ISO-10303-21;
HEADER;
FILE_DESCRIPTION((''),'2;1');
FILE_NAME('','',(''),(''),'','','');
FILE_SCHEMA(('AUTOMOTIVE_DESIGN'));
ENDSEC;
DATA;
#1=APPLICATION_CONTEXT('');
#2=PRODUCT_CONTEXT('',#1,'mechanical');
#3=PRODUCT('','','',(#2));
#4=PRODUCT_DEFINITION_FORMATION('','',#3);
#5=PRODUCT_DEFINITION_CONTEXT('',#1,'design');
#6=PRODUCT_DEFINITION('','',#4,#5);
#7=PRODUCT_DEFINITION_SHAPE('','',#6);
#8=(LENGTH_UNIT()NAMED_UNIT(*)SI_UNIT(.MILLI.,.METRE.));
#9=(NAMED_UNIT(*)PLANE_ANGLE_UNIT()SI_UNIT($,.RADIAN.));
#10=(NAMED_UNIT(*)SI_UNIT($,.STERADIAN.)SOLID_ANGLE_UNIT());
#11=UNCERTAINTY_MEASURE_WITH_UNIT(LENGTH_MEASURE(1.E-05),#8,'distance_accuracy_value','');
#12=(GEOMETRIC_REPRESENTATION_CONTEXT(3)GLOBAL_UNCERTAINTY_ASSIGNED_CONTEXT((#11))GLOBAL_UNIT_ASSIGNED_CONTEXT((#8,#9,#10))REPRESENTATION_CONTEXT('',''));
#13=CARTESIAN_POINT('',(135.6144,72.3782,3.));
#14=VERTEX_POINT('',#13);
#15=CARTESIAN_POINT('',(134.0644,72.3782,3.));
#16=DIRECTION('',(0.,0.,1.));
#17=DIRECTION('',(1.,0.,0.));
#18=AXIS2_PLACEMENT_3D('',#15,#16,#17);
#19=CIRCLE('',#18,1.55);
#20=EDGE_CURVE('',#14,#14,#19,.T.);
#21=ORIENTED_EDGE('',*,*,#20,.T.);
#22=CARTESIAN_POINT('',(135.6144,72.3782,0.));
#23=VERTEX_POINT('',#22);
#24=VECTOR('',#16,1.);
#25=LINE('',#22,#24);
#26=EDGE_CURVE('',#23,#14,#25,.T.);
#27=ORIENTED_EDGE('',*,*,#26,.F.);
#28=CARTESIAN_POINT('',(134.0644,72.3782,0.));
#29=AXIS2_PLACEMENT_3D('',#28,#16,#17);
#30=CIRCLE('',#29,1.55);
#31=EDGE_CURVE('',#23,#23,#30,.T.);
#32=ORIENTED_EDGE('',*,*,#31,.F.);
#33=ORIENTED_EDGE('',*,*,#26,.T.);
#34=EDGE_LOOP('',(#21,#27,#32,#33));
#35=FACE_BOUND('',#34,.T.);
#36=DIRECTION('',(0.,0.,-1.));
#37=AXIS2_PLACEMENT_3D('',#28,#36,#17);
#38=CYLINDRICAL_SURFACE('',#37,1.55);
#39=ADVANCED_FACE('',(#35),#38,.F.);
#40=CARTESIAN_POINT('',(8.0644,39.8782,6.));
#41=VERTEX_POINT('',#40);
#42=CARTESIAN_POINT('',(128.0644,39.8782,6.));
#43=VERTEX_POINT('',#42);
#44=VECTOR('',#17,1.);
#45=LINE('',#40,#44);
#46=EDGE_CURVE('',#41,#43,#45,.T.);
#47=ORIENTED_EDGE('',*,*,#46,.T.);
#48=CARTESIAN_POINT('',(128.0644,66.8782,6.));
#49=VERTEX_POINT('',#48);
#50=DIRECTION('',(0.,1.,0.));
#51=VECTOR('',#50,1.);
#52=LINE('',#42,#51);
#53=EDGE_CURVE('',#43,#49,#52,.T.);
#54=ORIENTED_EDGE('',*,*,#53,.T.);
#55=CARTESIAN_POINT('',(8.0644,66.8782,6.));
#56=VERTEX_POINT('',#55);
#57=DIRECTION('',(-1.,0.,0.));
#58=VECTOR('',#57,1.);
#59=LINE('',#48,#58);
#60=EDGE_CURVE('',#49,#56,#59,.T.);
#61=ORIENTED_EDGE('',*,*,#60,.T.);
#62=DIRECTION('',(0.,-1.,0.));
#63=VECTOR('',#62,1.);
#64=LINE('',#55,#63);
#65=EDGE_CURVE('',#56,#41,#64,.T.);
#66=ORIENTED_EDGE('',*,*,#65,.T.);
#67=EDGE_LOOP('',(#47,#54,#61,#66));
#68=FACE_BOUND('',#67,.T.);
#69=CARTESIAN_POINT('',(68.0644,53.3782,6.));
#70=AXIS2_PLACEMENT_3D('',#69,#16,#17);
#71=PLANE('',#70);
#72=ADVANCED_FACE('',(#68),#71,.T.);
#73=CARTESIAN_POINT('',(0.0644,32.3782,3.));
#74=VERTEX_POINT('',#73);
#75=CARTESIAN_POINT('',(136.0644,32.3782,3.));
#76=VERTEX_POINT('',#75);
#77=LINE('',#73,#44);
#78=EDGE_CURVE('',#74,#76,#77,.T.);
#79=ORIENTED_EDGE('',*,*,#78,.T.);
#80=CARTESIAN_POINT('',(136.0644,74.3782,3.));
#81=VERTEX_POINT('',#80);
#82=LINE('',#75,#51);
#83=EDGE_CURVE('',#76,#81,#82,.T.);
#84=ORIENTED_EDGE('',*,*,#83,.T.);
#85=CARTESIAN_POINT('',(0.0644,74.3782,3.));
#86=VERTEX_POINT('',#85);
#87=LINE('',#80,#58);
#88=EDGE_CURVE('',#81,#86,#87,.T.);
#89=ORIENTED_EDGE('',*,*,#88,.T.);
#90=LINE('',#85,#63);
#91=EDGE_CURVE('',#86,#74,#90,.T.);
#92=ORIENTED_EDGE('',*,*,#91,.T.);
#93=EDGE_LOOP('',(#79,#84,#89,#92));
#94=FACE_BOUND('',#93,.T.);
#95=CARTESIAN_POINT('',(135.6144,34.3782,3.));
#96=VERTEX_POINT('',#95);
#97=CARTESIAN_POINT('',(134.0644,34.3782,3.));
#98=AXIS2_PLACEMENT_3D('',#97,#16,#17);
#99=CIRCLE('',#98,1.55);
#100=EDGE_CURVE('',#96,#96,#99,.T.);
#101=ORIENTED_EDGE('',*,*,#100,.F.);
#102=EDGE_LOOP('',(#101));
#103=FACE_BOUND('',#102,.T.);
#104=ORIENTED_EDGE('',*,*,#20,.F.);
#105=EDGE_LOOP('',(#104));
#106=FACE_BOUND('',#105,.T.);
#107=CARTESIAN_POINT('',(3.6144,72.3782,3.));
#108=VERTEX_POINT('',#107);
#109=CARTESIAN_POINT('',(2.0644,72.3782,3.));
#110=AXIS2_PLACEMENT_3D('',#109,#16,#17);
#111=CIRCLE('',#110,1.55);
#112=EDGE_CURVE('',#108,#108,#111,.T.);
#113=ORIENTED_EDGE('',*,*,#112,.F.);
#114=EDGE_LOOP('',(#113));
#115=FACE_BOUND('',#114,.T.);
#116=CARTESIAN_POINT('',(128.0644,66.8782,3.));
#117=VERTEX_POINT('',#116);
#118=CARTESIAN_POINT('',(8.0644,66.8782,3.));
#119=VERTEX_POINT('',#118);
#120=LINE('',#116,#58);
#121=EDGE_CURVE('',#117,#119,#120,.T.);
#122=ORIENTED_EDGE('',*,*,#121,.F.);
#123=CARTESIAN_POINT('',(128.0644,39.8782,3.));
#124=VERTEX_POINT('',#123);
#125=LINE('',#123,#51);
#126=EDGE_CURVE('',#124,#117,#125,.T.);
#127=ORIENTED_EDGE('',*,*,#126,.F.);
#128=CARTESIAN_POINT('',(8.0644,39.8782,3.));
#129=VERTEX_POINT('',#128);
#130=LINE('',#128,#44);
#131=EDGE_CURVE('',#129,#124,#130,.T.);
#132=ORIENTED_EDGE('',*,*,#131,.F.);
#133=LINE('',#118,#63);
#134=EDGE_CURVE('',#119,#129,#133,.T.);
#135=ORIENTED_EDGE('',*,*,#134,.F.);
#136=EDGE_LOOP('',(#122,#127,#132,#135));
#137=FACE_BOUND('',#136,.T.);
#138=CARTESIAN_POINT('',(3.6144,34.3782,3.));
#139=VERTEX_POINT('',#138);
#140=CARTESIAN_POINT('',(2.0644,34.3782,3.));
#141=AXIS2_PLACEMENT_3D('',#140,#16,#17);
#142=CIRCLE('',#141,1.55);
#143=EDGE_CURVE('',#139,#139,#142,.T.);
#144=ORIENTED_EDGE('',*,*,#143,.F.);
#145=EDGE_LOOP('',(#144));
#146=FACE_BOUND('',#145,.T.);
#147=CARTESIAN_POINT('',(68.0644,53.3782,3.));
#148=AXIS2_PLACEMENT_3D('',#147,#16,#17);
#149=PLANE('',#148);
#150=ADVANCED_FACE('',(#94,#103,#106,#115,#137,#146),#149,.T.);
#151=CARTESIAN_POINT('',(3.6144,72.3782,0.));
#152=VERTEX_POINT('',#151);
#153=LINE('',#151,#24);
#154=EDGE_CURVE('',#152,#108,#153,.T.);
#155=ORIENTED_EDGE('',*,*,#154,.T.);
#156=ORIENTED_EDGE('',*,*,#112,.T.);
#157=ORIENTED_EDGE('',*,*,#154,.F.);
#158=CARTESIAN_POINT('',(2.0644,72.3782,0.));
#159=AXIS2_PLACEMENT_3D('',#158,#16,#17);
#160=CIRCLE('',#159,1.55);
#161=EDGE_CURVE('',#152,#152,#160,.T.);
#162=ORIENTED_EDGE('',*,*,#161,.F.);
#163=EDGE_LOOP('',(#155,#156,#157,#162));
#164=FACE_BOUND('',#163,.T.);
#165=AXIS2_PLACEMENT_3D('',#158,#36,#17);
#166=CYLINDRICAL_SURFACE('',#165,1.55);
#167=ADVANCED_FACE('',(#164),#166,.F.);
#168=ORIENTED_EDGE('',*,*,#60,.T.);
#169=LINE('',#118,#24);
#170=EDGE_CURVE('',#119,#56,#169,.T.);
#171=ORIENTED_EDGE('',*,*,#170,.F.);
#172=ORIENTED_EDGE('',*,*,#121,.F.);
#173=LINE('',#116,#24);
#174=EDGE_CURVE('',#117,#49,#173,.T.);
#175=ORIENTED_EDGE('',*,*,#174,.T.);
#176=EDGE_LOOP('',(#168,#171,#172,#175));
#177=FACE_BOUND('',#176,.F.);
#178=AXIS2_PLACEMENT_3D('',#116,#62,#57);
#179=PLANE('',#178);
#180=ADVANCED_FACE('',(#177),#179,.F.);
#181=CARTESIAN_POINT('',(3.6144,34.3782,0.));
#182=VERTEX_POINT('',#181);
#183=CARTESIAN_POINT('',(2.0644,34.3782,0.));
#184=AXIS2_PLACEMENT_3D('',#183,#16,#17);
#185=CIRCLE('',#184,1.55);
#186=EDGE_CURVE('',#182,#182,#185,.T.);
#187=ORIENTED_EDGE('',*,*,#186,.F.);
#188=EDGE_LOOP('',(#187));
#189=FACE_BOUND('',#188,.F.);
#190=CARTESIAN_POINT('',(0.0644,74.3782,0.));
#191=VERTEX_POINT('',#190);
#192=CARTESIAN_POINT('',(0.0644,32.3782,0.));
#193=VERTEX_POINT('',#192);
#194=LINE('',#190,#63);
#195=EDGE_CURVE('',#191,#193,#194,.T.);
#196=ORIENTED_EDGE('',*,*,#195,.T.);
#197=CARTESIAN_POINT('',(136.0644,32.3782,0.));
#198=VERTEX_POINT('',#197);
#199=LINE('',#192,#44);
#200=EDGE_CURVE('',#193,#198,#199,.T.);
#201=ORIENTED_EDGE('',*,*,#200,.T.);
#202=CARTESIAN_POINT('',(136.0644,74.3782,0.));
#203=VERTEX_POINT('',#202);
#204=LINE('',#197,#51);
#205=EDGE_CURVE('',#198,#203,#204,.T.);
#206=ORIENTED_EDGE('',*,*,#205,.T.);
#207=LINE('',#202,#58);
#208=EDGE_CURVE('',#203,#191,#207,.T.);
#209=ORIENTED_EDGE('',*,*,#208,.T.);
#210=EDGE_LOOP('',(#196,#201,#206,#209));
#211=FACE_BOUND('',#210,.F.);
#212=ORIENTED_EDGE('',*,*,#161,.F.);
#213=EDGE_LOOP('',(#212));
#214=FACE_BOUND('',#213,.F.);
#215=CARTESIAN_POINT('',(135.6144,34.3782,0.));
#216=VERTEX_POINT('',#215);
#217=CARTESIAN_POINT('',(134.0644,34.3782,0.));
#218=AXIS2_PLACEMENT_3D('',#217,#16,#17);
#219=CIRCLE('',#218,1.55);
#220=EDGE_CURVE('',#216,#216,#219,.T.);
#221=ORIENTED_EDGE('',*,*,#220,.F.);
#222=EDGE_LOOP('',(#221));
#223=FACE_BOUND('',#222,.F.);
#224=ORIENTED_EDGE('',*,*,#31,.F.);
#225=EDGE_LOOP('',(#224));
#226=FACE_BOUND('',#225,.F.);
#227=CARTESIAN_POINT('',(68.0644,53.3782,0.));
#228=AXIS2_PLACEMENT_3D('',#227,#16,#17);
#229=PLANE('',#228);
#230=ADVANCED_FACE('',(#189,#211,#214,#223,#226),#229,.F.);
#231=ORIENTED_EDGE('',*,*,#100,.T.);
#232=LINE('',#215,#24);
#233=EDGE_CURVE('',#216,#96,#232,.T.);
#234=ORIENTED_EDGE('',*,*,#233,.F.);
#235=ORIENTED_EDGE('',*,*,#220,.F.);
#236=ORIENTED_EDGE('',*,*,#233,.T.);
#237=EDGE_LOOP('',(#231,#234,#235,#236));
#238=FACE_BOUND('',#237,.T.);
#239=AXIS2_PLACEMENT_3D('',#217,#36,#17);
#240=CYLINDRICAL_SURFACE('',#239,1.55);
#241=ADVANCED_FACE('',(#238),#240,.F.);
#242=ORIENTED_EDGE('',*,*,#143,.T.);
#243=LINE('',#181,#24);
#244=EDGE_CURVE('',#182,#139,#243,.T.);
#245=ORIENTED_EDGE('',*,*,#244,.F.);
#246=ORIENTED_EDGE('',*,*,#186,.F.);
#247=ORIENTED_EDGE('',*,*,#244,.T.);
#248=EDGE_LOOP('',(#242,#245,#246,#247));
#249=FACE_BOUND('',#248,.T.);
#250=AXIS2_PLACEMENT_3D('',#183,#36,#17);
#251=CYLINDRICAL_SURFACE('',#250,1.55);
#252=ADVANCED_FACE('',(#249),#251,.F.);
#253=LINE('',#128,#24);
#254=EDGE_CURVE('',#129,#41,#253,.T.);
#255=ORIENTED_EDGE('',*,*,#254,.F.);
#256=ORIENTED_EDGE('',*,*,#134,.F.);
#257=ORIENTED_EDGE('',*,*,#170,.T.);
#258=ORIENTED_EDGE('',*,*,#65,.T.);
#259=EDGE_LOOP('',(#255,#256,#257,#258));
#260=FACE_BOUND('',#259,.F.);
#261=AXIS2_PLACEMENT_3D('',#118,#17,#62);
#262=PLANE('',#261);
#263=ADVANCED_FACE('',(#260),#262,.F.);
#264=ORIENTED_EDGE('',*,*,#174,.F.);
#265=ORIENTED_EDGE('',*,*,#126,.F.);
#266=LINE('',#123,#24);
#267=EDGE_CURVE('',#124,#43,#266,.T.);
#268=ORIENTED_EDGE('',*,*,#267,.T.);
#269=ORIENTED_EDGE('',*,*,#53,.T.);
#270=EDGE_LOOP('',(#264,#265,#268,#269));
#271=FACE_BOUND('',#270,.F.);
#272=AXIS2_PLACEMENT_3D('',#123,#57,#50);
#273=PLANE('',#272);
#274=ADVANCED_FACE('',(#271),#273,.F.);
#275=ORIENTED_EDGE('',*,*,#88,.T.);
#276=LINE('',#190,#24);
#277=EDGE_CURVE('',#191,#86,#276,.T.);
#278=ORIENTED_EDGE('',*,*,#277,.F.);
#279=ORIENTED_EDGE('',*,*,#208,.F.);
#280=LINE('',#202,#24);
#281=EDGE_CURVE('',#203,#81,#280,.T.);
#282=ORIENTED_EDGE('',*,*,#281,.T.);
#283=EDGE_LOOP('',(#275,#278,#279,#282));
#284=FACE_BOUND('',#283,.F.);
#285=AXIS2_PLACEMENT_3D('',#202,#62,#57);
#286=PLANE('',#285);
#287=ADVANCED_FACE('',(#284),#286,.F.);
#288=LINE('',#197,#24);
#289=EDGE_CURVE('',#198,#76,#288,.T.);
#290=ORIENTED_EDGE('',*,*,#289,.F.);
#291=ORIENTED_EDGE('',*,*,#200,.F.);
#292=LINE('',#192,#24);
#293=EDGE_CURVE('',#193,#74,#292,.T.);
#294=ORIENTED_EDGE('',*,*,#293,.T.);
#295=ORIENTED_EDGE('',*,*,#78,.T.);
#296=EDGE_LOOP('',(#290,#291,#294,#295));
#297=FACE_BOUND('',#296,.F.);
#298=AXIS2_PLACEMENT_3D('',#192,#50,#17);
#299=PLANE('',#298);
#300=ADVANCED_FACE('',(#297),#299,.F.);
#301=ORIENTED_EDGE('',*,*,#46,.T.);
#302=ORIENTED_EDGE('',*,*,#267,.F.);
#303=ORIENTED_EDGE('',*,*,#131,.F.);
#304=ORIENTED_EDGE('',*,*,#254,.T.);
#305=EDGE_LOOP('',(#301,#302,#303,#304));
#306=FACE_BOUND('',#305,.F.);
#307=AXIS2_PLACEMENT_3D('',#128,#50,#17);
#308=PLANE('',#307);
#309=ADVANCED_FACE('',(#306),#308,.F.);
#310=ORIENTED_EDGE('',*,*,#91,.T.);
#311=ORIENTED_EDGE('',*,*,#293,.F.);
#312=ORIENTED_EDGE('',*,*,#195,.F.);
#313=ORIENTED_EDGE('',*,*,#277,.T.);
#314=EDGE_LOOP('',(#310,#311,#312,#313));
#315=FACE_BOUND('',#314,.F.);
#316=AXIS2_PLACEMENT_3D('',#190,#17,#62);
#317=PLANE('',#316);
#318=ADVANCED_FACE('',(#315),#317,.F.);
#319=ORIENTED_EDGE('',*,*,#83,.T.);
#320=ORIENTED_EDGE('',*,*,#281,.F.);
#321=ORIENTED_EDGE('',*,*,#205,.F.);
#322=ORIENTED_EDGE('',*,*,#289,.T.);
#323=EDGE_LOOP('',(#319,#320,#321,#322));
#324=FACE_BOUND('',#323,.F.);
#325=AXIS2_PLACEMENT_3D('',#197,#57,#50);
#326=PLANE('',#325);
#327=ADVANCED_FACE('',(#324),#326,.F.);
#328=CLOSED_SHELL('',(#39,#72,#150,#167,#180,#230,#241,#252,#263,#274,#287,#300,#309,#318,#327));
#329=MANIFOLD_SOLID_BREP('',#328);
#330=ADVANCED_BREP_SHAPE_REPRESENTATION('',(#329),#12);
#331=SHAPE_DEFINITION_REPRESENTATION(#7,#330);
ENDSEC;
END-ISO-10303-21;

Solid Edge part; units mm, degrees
sketch "Sketch1" plane through (0, 0, 0) normal (0, 0, 1) x (1, 0, 0)
  circle A0 centre (2.0644, 34.3782) radius 1.55
  line L0 (136.0644, 74.3782) -> (0.0644, 74.3782)
  line L1 (0.0644, 74.3782) -> (0.0644, 32.3782)
  line L2 (0.0644, 32.3782) -> (136.0644, 32.3782)
  line L3 (136.0644, 32.3782) -> (136.0644, 74.3782)
  circle A1 centre (134.0644, 72.3782) radius 1.55
  circle A2 centre (2.0644, 72.3782) radius 1.55
  circle A3 centre (134.0644, 34.3782) radius 1.55
  dimension "D1" = 136
  dimension "D2" = 42
  dimension "D3" = 2
  dimension "D4" = 3.1
  dimension "D5" = 132
  dimension "D6" = 3.1
  dimension "D7" = 3.1
  dimension "D8" = 3.1
  dimension "D9" = 2
  dimension "D10" = 132
  dimension "D11" = 2
  dimension "D12" = 2
  dimension "D13" = 38
  dimension "D14" = 38
  dimension "D15" = 2
extrude "Protrusion1" add sketch "Sketch1" along normal blind 3
sketch "Sketch2" plane through (68.0644, 53.3782, 3) normal (0, 0, 1) x (1, 0, 0)
  line L0 (60, -13.5) -> (60, 13.5)
  line L1 (60, 13.5) -> (-60, 13.5)
  line L2 (-60, 13.5) -> (-60, -13.5)
  line L3 (-60, -13.5) -> (60, -13.5)
extrude "Extrusionsausprägung_2" add sketch "Sketch2" along normal blind 3
